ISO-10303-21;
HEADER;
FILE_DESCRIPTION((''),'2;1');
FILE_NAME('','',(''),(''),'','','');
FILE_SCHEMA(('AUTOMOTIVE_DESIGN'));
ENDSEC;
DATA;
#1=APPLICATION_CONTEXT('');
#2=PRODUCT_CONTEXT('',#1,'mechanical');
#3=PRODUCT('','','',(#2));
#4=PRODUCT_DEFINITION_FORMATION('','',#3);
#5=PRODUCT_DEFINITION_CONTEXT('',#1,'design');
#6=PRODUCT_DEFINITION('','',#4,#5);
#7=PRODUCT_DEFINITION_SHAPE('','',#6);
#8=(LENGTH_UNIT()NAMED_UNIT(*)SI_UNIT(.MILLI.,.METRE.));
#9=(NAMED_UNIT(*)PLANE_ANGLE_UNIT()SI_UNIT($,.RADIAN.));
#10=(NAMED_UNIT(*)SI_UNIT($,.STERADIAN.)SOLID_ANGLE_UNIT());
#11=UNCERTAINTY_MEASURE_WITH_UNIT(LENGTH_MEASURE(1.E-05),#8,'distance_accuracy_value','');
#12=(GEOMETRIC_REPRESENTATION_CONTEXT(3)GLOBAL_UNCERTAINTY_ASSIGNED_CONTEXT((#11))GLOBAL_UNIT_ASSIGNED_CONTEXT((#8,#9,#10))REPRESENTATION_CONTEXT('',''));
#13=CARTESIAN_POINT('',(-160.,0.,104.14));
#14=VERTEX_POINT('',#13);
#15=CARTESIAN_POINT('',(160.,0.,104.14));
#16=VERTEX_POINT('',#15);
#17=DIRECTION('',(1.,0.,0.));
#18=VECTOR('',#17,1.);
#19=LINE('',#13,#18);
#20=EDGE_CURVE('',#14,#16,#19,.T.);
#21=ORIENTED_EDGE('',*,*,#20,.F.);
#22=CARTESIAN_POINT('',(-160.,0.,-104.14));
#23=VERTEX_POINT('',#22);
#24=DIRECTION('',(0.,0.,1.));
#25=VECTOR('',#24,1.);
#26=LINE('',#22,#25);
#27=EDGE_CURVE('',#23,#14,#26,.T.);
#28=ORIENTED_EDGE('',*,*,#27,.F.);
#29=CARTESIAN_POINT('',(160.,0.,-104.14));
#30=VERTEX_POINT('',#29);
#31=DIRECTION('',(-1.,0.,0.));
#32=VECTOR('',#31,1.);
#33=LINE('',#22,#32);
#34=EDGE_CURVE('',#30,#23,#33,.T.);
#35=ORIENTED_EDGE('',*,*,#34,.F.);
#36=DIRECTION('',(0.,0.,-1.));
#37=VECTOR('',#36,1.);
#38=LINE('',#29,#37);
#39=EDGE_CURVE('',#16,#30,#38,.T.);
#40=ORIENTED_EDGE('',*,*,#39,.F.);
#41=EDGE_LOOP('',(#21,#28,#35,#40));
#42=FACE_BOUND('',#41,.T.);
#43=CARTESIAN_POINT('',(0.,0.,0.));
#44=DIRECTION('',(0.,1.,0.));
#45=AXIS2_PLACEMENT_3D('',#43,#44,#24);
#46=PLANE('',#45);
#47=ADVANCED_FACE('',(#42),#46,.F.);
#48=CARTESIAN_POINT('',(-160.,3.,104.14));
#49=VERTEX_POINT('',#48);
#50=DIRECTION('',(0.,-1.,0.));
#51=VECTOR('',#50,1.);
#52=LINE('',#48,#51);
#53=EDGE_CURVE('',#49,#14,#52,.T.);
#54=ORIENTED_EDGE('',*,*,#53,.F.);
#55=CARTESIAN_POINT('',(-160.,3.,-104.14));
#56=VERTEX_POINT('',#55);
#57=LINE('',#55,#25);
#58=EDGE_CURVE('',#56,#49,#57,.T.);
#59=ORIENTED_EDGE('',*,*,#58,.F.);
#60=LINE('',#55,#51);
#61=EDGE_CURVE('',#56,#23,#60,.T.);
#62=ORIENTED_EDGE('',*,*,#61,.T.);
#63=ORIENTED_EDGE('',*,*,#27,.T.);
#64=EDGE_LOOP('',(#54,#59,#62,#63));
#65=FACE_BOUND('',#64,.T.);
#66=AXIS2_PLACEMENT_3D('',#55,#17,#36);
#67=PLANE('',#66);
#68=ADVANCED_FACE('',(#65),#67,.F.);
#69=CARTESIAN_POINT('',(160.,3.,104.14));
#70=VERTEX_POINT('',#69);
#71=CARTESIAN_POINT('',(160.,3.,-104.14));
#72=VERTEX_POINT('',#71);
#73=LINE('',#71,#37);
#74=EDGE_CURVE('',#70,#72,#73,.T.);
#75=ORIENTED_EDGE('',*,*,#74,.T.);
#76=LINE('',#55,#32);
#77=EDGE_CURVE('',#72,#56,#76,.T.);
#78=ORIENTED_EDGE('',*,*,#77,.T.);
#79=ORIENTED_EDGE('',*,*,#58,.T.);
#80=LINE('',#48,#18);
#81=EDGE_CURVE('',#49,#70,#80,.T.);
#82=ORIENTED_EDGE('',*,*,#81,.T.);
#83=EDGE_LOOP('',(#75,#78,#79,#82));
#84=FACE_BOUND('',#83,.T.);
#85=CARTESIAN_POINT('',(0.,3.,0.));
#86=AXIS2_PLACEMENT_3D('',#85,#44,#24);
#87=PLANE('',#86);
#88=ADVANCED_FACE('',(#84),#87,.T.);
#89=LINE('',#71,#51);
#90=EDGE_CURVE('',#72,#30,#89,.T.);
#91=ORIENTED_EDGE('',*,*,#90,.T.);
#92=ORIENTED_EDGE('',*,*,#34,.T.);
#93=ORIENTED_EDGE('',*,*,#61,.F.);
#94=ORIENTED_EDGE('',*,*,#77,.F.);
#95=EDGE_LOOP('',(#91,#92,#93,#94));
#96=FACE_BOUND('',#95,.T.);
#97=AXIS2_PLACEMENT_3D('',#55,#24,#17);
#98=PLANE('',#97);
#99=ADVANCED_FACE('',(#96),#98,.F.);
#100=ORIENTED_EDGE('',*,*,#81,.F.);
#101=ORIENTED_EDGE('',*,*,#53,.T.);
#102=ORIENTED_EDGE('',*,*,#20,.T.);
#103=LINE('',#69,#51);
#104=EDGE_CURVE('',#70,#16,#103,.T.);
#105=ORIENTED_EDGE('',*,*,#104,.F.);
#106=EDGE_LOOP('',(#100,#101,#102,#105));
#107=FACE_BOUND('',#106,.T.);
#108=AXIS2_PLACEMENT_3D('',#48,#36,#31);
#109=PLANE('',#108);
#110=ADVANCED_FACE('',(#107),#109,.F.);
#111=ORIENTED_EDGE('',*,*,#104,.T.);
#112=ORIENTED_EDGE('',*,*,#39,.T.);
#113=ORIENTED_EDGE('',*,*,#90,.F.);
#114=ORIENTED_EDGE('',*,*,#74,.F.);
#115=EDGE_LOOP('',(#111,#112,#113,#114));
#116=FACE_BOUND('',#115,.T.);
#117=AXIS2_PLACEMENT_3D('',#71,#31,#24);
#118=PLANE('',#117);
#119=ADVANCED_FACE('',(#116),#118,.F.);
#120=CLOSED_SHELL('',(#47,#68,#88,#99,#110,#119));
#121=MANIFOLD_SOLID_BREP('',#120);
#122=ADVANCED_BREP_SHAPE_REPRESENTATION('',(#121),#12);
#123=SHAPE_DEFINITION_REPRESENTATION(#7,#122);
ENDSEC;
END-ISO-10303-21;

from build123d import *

# Parameters (mm, degrees)
SKETCH_1_W      = 320
SKETCH_1_H      = 208.28
EXTRUDE_1_DEPTH = 3


with BuildPart() as part:
    # 草图1 → 凸台-拉伸1 (new body)
    with BuildSketch(Plane(origin=(0, 0, 0), x_dir=(1, 0, 0), z_dir=(0, 1, 0))):
        Rectangle(SKETCH_1_W, SKETCH_1_H)
    extrude(amount=EXTRUDE_1_DEPTH)


solid = part.part
